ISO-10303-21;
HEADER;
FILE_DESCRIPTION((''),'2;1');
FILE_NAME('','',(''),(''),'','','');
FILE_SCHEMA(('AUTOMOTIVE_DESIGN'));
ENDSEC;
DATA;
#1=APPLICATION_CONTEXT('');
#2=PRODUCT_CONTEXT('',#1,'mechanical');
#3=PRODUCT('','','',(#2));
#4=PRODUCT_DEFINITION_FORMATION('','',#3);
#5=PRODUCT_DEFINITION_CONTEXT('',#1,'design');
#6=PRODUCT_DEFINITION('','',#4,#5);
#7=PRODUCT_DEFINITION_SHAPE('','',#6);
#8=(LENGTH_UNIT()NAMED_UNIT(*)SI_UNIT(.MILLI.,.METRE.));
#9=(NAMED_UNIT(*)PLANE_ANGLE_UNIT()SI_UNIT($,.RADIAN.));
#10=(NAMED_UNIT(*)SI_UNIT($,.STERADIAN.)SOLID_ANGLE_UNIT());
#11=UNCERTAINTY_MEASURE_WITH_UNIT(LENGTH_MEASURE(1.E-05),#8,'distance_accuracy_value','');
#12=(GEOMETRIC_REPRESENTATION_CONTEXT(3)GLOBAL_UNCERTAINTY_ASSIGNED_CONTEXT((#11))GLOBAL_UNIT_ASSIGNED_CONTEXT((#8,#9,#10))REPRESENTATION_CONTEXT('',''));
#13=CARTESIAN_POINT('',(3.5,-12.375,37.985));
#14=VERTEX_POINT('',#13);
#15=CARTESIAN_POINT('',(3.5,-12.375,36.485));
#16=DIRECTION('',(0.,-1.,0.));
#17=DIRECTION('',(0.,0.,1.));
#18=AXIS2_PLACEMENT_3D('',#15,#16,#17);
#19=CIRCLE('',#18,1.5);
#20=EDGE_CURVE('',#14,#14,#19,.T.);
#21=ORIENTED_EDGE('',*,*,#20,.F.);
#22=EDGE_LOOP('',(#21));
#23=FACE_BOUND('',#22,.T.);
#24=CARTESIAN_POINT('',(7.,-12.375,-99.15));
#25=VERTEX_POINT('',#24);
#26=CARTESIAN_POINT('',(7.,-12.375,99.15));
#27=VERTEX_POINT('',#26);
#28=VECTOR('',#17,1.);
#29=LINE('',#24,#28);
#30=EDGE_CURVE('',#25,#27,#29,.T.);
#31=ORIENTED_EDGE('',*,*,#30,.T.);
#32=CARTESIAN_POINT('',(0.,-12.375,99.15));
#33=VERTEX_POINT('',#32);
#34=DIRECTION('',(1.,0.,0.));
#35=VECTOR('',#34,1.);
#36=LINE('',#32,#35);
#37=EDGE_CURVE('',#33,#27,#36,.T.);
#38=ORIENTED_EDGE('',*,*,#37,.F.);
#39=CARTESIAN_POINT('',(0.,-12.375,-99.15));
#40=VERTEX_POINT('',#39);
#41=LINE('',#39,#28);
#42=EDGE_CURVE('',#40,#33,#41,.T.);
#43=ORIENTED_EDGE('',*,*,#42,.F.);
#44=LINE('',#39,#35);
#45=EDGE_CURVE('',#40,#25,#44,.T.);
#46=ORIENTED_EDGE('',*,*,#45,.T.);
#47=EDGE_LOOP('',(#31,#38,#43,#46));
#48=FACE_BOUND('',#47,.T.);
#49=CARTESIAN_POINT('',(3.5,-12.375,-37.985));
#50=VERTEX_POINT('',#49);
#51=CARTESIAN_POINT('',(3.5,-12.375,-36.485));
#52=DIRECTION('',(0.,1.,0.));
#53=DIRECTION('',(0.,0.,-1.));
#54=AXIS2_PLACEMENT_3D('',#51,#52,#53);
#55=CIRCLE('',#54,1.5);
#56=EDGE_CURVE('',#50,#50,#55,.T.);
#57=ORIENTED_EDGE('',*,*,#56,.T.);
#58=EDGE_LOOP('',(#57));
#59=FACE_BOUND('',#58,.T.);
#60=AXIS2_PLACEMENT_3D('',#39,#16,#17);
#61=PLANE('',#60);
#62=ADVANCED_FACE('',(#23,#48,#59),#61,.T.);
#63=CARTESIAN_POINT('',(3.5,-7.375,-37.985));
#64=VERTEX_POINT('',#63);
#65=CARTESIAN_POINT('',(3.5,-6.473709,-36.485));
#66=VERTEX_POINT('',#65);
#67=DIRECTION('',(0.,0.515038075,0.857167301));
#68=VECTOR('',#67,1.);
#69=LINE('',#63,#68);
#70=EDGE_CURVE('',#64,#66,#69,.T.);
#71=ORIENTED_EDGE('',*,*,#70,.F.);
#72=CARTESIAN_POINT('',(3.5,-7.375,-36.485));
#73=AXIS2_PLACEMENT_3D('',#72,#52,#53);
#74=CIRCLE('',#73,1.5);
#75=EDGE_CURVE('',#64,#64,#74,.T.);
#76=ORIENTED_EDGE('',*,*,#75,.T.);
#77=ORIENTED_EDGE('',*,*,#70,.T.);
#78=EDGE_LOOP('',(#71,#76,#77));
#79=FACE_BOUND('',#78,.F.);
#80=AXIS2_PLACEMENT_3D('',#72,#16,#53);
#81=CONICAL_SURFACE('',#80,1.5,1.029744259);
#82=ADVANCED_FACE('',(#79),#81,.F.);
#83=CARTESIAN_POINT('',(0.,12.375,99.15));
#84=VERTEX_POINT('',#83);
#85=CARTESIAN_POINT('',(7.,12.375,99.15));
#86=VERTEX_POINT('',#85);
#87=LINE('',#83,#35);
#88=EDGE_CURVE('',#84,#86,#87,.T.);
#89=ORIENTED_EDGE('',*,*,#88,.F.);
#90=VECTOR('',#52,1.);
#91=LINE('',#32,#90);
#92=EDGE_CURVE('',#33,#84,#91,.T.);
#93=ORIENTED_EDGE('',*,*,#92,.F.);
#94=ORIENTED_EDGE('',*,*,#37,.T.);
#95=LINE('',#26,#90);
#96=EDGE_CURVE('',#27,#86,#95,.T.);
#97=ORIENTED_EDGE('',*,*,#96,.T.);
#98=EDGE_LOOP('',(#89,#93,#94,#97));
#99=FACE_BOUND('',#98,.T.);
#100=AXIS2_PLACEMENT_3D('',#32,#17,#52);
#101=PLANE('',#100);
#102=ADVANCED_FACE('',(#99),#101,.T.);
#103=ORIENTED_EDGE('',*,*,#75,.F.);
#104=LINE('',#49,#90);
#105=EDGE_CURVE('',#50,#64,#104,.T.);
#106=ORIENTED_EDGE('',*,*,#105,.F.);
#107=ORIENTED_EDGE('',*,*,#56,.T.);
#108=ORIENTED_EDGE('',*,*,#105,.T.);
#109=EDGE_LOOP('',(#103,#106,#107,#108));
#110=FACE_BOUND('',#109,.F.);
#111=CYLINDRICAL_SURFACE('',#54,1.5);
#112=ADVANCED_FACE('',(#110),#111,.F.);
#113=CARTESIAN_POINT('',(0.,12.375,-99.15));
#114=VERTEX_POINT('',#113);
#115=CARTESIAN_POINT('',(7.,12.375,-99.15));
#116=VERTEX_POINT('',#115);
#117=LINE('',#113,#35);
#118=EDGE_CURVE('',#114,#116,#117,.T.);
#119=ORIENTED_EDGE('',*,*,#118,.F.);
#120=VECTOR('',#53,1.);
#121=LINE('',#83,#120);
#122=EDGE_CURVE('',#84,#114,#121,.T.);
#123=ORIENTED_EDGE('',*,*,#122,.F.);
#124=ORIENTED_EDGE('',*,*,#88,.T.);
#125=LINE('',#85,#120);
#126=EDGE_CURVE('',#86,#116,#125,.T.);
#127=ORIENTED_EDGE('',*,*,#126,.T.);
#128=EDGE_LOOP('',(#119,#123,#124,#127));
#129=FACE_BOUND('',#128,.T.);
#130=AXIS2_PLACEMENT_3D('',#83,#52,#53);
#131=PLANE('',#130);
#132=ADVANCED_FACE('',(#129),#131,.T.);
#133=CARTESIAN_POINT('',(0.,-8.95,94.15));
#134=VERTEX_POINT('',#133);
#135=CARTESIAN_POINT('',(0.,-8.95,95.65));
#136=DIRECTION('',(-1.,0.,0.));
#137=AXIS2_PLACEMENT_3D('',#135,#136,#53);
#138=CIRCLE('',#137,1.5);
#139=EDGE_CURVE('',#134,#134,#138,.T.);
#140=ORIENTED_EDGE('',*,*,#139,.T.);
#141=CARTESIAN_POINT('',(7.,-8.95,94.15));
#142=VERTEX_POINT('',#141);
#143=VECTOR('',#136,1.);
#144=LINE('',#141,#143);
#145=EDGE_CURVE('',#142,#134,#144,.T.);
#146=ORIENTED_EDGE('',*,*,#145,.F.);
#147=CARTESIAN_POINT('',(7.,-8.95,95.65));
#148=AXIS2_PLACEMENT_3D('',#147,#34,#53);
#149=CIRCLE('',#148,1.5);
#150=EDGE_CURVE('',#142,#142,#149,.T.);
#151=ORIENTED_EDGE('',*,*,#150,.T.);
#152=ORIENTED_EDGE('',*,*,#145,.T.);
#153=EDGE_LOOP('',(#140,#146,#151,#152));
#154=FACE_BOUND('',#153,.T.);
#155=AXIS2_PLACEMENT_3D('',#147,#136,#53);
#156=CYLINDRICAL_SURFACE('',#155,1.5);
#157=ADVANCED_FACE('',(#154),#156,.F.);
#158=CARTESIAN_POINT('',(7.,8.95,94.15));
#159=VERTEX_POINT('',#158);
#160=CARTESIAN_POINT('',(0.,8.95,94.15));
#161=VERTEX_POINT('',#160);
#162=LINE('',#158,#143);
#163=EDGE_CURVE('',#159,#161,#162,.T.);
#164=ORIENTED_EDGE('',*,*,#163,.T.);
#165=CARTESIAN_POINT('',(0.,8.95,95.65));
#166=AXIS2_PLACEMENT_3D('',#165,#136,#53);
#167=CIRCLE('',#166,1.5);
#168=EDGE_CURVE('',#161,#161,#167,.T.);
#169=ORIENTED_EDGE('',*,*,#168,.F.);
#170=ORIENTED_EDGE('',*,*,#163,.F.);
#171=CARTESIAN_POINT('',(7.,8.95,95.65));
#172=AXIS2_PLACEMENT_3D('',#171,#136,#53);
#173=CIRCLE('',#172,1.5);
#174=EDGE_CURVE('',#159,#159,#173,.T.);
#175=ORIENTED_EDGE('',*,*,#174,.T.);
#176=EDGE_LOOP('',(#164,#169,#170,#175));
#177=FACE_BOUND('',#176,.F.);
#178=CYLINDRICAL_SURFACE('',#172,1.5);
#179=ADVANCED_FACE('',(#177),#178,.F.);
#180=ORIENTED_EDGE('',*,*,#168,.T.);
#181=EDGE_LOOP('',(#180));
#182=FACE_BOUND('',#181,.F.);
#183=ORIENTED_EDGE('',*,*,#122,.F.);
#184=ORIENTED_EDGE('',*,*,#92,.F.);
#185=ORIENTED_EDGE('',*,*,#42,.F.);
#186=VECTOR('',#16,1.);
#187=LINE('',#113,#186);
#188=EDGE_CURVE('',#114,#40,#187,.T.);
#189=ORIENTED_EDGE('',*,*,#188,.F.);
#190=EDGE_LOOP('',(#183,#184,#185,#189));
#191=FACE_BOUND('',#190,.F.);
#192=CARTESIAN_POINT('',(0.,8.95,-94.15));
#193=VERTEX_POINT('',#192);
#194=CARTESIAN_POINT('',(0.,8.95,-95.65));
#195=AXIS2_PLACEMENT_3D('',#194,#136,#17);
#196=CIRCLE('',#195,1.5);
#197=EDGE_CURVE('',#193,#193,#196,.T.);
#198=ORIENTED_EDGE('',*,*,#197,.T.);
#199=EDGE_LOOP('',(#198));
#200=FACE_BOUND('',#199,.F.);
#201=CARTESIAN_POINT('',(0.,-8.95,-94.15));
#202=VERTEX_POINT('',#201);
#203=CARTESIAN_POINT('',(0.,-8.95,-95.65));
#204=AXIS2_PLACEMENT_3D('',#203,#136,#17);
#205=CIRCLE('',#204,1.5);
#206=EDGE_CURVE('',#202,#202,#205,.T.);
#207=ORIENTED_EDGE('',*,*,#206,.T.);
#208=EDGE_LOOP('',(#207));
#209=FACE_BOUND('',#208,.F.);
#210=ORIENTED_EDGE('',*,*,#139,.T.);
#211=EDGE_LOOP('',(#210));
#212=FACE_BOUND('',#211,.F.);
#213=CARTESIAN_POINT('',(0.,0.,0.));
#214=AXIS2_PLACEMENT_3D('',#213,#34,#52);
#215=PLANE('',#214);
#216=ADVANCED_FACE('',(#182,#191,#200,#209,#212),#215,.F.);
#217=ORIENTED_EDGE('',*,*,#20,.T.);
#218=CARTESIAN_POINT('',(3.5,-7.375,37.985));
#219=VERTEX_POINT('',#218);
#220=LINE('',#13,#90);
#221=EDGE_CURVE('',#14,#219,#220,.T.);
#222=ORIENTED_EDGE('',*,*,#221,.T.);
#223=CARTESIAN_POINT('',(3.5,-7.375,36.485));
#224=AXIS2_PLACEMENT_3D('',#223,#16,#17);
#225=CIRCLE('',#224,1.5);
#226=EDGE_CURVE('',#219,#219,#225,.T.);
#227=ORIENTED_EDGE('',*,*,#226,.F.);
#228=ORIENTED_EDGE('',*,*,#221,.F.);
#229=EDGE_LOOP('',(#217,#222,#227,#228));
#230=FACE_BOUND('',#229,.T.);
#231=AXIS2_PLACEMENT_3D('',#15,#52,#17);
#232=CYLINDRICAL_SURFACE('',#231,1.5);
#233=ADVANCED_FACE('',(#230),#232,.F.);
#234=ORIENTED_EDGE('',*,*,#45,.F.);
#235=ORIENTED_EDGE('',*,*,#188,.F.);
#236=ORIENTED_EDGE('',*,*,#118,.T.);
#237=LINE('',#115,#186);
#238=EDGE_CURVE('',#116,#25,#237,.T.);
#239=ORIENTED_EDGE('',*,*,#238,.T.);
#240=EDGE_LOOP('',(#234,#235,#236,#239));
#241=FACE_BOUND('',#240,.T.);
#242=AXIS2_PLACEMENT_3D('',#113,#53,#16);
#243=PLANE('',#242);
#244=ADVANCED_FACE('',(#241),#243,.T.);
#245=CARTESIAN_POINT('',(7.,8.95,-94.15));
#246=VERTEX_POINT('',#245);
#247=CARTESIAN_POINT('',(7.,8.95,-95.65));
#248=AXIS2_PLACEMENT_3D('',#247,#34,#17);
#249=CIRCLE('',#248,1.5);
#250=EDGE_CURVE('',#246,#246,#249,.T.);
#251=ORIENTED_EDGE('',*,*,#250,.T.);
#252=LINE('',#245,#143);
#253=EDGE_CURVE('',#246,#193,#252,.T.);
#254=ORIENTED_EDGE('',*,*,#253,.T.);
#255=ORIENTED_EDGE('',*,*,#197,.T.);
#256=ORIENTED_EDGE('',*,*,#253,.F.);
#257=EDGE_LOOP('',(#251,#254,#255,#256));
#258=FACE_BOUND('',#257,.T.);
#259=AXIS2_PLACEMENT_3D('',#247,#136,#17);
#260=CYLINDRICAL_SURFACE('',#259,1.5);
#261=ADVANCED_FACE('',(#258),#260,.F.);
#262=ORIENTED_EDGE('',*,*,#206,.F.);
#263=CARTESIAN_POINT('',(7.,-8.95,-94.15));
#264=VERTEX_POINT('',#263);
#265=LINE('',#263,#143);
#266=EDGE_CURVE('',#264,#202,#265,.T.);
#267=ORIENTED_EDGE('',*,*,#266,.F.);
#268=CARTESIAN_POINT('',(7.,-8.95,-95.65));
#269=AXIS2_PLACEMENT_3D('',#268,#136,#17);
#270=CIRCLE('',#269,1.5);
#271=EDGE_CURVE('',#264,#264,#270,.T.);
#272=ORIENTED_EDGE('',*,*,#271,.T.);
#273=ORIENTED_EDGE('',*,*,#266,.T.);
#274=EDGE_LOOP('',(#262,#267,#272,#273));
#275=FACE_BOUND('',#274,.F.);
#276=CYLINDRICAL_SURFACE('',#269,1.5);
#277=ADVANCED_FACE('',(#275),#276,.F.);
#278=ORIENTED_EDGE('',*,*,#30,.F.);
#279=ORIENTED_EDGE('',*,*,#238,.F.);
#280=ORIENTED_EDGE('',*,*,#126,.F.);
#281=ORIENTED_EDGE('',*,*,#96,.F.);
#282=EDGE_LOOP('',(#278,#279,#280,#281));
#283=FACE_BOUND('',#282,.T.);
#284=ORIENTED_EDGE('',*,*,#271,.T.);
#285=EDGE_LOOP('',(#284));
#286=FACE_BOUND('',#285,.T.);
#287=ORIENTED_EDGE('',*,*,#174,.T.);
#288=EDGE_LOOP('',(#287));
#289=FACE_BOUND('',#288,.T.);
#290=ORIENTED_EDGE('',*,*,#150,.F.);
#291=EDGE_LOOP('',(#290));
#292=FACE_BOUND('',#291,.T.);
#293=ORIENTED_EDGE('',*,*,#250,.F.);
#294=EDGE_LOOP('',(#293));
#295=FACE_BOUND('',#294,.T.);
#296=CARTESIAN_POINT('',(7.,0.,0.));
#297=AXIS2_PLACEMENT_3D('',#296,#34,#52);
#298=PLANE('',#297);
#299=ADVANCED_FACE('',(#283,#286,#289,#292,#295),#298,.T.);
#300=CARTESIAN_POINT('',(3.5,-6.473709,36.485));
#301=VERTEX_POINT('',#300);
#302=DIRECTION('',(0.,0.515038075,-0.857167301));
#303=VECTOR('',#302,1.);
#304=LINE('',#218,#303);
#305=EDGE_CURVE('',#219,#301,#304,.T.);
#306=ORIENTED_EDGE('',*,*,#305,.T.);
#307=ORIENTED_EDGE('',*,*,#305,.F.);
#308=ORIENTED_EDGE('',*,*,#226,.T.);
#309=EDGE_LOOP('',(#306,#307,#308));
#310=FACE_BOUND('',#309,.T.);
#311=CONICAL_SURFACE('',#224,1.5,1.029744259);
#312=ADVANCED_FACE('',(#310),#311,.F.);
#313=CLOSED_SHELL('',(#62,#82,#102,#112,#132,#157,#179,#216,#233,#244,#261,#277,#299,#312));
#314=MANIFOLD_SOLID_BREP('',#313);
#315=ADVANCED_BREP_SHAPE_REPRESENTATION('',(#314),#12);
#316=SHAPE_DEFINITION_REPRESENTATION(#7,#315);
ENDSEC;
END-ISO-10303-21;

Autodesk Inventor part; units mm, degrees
ref_plane "YZ Plane" through (0, 0, 0) normal (1, 0, 0) x (0, 1, 0)
ref_plane "XZ Plane" through (0, 0, 0) normal (0, 1, 0) x (-1, 0, 0)
ref_plane "XY Plane" through (0, 0, 0) normal (0, 0, 1) x (1, 0, 0)
sketch "Sketch1" plane through (0, 0, 0) normal (1, 0, 0) x (0, 1, 0)
  line L0 (-12.375, 99.15) -> (12.375, 99.15)
  line L1 (12.375, 99.15) -> (12.375, -99.15)
  line L2 (12.375, -99.15) -> (-12.375, -99.15)
  line L3 (-12.375, -99.15) -> (-12.375, 99.15)
  line L4 (-12.375, 99.15) -> (12.375, -99.15) construction
  line L5 (12.375, 99.15) -> (-12.375, -99.15) construction
  point P0 (0, 0)
  dimension "d0" = 198.3
  dimension "d1" = 24.75
extrude "Extrusion1" add sketch "Sketch1" along normal blind 7
sketch "Sketch2" plane through (7, 0, 0) normal (1, 0, 0) x (0, 0, -1)
  circle A0 centre (-95.65, 8.95) radius 1.5
  line L0 (-99.15, 12.375) -> (-99.15, -12.375) projected
  line L1 (99.15, 12.375) -> (-99.15, 12.375) projected
  line L2 (-113.68, 5.525) -> (-113.68, 12.375)
  point P0 (0, 0)
  dimension "d4" = 3.5
  dimension "d5" = 3.425
  dimension "d13" = 3
hole "Hole1" at (7, 8.95, 95.65) direction (-1, 0, 0) diameter 3 end through all
mirror "Mirror1" about plane through (0, 0, 0) normal (0, 1, 0) of "Hole1"
mirror "Mirror2" about plane through (0, 0, 0) normal (0, 0, 1) of "Hole1", "Mirror1"
sketch "Sketch3" plane through (0, -12.375, -99.15) normal (0, -1, 0) x (1, 0, 0)
  circle A0 centre (3.5, 62.665) radius 1.5
  line L0 (7, 198.3) -> (7, 0) projected
  line L1 (0, 0) -> (7, 0) projected
  point P0 (0, 99.15)
  point P1 (3.5, 0)
  dimension "d14" = 3
  dimension "d15" = 3.5
  dimension "d16" = 62.665
hole "Hole2" at (3.5, -12.375, -36.485) direction (0, 1, 0) diameter 3 depth 5 tip angle 118
mirror "Mirror3" about plane through (0, 0, 0) normal (0, 0, 1) of "Hole2"
properties part number "Mold_sideWall"
